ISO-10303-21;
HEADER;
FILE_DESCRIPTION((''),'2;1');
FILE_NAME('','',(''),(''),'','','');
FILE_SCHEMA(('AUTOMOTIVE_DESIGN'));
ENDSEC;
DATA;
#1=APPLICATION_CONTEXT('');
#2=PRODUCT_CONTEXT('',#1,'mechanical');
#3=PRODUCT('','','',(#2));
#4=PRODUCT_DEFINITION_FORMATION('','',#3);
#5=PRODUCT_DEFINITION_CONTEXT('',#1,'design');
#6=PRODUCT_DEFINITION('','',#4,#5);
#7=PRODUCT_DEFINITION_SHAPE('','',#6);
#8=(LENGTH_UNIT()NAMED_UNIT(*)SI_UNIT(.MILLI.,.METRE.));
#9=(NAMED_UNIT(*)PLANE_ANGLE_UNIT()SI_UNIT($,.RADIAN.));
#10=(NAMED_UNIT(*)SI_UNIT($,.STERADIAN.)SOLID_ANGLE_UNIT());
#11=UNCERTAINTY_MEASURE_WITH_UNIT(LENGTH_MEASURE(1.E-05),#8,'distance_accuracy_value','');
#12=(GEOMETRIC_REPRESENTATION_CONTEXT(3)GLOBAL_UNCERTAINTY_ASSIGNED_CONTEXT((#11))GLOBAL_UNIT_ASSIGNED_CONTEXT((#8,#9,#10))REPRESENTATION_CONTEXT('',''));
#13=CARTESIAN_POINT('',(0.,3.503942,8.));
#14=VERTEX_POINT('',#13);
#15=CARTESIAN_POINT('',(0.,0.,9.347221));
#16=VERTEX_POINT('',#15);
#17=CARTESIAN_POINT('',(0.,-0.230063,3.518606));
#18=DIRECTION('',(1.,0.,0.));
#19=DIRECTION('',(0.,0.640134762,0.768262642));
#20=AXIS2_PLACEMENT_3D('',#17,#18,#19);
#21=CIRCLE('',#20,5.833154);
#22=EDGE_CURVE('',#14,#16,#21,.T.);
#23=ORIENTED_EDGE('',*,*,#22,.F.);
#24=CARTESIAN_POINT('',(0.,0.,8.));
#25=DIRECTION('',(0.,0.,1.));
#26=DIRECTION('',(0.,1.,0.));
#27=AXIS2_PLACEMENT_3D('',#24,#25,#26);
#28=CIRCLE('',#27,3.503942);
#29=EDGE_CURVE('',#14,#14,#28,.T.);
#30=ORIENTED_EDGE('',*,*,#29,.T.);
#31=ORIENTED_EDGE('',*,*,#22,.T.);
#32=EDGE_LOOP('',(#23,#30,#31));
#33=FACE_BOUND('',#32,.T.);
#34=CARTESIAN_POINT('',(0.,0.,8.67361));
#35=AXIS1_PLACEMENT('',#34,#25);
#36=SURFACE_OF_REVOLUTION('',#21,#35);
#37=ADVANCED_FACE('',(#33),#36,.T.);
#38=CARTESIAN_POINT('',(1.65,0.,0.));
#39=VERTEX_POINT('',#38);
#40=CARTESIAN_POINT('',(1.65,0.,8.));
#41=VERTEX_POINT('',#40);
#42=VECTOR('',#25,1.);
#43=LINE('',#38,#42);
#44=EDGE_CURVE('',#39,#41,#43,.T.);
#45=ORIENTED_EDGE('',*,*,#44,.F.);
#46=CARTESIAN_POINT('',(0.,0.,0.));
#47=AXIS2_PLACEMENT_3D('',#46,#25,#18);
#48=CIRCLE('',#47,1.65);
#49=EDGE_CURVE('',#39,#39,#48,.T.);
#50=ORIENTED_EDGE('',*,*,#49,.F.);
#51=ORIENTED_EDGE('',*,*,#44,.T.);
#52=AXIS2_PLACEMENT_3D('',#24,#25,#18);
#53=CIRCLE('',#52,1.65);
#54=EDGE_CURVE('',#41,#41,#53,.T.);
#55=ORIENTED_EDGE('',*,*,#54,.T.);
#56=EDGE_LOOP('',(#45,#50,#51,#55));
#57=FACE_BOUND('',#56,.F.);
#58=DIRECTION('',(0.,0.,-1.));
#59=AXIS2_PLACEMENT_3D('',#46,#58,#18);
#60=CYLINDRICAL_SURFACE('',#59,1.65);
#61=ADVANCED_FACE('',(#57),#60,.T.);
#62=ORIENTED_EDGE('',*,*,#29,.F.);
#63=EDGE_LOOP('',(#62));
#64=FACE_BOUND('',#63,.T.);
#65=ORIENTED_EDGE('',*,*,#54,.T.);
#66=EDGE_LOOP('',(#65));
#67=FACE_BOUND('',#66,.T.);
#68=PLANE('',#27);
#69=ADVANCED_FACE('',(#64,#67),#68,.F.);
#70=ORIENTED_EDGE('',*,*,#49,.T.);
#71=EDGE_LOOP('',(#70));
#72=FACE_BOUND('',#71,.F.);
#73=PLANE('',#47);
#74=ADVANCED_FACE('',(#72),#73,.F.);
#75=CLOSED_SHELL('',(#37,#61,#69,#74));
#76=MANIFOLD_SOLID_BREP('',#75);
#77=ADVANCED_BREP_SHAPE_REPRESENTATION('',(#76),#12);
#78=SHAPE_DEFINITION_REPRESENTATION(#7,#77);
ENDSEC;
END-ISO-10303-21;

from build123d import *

# Parameters (mm, degrees)
F0_R     = 1.65
F1_DEPTH = 8


with BuildPart() as f1:
    # F0 (on Top) → F1 (new body)
    with BuildSketch(Plane.XY):
        Circle(F0_R)
    extrude(amount=F1_DEPTH)

    # F2 (on Right) → F3 (revolve)
    with BuildSketch(Plane.YZ):
        with BuildLine():
            Line((0, 9.347221), (0, 8))
            Line((0, 8), (3.503942, 8))
            ThreePointArc((3.503942, 8), (1.86331, 8.963188), (0, 9.347221))
        make_face()
    revolve(axis=Axis((0, 0, 8.67361), (0, 0, 1)))


solid = f1.part
